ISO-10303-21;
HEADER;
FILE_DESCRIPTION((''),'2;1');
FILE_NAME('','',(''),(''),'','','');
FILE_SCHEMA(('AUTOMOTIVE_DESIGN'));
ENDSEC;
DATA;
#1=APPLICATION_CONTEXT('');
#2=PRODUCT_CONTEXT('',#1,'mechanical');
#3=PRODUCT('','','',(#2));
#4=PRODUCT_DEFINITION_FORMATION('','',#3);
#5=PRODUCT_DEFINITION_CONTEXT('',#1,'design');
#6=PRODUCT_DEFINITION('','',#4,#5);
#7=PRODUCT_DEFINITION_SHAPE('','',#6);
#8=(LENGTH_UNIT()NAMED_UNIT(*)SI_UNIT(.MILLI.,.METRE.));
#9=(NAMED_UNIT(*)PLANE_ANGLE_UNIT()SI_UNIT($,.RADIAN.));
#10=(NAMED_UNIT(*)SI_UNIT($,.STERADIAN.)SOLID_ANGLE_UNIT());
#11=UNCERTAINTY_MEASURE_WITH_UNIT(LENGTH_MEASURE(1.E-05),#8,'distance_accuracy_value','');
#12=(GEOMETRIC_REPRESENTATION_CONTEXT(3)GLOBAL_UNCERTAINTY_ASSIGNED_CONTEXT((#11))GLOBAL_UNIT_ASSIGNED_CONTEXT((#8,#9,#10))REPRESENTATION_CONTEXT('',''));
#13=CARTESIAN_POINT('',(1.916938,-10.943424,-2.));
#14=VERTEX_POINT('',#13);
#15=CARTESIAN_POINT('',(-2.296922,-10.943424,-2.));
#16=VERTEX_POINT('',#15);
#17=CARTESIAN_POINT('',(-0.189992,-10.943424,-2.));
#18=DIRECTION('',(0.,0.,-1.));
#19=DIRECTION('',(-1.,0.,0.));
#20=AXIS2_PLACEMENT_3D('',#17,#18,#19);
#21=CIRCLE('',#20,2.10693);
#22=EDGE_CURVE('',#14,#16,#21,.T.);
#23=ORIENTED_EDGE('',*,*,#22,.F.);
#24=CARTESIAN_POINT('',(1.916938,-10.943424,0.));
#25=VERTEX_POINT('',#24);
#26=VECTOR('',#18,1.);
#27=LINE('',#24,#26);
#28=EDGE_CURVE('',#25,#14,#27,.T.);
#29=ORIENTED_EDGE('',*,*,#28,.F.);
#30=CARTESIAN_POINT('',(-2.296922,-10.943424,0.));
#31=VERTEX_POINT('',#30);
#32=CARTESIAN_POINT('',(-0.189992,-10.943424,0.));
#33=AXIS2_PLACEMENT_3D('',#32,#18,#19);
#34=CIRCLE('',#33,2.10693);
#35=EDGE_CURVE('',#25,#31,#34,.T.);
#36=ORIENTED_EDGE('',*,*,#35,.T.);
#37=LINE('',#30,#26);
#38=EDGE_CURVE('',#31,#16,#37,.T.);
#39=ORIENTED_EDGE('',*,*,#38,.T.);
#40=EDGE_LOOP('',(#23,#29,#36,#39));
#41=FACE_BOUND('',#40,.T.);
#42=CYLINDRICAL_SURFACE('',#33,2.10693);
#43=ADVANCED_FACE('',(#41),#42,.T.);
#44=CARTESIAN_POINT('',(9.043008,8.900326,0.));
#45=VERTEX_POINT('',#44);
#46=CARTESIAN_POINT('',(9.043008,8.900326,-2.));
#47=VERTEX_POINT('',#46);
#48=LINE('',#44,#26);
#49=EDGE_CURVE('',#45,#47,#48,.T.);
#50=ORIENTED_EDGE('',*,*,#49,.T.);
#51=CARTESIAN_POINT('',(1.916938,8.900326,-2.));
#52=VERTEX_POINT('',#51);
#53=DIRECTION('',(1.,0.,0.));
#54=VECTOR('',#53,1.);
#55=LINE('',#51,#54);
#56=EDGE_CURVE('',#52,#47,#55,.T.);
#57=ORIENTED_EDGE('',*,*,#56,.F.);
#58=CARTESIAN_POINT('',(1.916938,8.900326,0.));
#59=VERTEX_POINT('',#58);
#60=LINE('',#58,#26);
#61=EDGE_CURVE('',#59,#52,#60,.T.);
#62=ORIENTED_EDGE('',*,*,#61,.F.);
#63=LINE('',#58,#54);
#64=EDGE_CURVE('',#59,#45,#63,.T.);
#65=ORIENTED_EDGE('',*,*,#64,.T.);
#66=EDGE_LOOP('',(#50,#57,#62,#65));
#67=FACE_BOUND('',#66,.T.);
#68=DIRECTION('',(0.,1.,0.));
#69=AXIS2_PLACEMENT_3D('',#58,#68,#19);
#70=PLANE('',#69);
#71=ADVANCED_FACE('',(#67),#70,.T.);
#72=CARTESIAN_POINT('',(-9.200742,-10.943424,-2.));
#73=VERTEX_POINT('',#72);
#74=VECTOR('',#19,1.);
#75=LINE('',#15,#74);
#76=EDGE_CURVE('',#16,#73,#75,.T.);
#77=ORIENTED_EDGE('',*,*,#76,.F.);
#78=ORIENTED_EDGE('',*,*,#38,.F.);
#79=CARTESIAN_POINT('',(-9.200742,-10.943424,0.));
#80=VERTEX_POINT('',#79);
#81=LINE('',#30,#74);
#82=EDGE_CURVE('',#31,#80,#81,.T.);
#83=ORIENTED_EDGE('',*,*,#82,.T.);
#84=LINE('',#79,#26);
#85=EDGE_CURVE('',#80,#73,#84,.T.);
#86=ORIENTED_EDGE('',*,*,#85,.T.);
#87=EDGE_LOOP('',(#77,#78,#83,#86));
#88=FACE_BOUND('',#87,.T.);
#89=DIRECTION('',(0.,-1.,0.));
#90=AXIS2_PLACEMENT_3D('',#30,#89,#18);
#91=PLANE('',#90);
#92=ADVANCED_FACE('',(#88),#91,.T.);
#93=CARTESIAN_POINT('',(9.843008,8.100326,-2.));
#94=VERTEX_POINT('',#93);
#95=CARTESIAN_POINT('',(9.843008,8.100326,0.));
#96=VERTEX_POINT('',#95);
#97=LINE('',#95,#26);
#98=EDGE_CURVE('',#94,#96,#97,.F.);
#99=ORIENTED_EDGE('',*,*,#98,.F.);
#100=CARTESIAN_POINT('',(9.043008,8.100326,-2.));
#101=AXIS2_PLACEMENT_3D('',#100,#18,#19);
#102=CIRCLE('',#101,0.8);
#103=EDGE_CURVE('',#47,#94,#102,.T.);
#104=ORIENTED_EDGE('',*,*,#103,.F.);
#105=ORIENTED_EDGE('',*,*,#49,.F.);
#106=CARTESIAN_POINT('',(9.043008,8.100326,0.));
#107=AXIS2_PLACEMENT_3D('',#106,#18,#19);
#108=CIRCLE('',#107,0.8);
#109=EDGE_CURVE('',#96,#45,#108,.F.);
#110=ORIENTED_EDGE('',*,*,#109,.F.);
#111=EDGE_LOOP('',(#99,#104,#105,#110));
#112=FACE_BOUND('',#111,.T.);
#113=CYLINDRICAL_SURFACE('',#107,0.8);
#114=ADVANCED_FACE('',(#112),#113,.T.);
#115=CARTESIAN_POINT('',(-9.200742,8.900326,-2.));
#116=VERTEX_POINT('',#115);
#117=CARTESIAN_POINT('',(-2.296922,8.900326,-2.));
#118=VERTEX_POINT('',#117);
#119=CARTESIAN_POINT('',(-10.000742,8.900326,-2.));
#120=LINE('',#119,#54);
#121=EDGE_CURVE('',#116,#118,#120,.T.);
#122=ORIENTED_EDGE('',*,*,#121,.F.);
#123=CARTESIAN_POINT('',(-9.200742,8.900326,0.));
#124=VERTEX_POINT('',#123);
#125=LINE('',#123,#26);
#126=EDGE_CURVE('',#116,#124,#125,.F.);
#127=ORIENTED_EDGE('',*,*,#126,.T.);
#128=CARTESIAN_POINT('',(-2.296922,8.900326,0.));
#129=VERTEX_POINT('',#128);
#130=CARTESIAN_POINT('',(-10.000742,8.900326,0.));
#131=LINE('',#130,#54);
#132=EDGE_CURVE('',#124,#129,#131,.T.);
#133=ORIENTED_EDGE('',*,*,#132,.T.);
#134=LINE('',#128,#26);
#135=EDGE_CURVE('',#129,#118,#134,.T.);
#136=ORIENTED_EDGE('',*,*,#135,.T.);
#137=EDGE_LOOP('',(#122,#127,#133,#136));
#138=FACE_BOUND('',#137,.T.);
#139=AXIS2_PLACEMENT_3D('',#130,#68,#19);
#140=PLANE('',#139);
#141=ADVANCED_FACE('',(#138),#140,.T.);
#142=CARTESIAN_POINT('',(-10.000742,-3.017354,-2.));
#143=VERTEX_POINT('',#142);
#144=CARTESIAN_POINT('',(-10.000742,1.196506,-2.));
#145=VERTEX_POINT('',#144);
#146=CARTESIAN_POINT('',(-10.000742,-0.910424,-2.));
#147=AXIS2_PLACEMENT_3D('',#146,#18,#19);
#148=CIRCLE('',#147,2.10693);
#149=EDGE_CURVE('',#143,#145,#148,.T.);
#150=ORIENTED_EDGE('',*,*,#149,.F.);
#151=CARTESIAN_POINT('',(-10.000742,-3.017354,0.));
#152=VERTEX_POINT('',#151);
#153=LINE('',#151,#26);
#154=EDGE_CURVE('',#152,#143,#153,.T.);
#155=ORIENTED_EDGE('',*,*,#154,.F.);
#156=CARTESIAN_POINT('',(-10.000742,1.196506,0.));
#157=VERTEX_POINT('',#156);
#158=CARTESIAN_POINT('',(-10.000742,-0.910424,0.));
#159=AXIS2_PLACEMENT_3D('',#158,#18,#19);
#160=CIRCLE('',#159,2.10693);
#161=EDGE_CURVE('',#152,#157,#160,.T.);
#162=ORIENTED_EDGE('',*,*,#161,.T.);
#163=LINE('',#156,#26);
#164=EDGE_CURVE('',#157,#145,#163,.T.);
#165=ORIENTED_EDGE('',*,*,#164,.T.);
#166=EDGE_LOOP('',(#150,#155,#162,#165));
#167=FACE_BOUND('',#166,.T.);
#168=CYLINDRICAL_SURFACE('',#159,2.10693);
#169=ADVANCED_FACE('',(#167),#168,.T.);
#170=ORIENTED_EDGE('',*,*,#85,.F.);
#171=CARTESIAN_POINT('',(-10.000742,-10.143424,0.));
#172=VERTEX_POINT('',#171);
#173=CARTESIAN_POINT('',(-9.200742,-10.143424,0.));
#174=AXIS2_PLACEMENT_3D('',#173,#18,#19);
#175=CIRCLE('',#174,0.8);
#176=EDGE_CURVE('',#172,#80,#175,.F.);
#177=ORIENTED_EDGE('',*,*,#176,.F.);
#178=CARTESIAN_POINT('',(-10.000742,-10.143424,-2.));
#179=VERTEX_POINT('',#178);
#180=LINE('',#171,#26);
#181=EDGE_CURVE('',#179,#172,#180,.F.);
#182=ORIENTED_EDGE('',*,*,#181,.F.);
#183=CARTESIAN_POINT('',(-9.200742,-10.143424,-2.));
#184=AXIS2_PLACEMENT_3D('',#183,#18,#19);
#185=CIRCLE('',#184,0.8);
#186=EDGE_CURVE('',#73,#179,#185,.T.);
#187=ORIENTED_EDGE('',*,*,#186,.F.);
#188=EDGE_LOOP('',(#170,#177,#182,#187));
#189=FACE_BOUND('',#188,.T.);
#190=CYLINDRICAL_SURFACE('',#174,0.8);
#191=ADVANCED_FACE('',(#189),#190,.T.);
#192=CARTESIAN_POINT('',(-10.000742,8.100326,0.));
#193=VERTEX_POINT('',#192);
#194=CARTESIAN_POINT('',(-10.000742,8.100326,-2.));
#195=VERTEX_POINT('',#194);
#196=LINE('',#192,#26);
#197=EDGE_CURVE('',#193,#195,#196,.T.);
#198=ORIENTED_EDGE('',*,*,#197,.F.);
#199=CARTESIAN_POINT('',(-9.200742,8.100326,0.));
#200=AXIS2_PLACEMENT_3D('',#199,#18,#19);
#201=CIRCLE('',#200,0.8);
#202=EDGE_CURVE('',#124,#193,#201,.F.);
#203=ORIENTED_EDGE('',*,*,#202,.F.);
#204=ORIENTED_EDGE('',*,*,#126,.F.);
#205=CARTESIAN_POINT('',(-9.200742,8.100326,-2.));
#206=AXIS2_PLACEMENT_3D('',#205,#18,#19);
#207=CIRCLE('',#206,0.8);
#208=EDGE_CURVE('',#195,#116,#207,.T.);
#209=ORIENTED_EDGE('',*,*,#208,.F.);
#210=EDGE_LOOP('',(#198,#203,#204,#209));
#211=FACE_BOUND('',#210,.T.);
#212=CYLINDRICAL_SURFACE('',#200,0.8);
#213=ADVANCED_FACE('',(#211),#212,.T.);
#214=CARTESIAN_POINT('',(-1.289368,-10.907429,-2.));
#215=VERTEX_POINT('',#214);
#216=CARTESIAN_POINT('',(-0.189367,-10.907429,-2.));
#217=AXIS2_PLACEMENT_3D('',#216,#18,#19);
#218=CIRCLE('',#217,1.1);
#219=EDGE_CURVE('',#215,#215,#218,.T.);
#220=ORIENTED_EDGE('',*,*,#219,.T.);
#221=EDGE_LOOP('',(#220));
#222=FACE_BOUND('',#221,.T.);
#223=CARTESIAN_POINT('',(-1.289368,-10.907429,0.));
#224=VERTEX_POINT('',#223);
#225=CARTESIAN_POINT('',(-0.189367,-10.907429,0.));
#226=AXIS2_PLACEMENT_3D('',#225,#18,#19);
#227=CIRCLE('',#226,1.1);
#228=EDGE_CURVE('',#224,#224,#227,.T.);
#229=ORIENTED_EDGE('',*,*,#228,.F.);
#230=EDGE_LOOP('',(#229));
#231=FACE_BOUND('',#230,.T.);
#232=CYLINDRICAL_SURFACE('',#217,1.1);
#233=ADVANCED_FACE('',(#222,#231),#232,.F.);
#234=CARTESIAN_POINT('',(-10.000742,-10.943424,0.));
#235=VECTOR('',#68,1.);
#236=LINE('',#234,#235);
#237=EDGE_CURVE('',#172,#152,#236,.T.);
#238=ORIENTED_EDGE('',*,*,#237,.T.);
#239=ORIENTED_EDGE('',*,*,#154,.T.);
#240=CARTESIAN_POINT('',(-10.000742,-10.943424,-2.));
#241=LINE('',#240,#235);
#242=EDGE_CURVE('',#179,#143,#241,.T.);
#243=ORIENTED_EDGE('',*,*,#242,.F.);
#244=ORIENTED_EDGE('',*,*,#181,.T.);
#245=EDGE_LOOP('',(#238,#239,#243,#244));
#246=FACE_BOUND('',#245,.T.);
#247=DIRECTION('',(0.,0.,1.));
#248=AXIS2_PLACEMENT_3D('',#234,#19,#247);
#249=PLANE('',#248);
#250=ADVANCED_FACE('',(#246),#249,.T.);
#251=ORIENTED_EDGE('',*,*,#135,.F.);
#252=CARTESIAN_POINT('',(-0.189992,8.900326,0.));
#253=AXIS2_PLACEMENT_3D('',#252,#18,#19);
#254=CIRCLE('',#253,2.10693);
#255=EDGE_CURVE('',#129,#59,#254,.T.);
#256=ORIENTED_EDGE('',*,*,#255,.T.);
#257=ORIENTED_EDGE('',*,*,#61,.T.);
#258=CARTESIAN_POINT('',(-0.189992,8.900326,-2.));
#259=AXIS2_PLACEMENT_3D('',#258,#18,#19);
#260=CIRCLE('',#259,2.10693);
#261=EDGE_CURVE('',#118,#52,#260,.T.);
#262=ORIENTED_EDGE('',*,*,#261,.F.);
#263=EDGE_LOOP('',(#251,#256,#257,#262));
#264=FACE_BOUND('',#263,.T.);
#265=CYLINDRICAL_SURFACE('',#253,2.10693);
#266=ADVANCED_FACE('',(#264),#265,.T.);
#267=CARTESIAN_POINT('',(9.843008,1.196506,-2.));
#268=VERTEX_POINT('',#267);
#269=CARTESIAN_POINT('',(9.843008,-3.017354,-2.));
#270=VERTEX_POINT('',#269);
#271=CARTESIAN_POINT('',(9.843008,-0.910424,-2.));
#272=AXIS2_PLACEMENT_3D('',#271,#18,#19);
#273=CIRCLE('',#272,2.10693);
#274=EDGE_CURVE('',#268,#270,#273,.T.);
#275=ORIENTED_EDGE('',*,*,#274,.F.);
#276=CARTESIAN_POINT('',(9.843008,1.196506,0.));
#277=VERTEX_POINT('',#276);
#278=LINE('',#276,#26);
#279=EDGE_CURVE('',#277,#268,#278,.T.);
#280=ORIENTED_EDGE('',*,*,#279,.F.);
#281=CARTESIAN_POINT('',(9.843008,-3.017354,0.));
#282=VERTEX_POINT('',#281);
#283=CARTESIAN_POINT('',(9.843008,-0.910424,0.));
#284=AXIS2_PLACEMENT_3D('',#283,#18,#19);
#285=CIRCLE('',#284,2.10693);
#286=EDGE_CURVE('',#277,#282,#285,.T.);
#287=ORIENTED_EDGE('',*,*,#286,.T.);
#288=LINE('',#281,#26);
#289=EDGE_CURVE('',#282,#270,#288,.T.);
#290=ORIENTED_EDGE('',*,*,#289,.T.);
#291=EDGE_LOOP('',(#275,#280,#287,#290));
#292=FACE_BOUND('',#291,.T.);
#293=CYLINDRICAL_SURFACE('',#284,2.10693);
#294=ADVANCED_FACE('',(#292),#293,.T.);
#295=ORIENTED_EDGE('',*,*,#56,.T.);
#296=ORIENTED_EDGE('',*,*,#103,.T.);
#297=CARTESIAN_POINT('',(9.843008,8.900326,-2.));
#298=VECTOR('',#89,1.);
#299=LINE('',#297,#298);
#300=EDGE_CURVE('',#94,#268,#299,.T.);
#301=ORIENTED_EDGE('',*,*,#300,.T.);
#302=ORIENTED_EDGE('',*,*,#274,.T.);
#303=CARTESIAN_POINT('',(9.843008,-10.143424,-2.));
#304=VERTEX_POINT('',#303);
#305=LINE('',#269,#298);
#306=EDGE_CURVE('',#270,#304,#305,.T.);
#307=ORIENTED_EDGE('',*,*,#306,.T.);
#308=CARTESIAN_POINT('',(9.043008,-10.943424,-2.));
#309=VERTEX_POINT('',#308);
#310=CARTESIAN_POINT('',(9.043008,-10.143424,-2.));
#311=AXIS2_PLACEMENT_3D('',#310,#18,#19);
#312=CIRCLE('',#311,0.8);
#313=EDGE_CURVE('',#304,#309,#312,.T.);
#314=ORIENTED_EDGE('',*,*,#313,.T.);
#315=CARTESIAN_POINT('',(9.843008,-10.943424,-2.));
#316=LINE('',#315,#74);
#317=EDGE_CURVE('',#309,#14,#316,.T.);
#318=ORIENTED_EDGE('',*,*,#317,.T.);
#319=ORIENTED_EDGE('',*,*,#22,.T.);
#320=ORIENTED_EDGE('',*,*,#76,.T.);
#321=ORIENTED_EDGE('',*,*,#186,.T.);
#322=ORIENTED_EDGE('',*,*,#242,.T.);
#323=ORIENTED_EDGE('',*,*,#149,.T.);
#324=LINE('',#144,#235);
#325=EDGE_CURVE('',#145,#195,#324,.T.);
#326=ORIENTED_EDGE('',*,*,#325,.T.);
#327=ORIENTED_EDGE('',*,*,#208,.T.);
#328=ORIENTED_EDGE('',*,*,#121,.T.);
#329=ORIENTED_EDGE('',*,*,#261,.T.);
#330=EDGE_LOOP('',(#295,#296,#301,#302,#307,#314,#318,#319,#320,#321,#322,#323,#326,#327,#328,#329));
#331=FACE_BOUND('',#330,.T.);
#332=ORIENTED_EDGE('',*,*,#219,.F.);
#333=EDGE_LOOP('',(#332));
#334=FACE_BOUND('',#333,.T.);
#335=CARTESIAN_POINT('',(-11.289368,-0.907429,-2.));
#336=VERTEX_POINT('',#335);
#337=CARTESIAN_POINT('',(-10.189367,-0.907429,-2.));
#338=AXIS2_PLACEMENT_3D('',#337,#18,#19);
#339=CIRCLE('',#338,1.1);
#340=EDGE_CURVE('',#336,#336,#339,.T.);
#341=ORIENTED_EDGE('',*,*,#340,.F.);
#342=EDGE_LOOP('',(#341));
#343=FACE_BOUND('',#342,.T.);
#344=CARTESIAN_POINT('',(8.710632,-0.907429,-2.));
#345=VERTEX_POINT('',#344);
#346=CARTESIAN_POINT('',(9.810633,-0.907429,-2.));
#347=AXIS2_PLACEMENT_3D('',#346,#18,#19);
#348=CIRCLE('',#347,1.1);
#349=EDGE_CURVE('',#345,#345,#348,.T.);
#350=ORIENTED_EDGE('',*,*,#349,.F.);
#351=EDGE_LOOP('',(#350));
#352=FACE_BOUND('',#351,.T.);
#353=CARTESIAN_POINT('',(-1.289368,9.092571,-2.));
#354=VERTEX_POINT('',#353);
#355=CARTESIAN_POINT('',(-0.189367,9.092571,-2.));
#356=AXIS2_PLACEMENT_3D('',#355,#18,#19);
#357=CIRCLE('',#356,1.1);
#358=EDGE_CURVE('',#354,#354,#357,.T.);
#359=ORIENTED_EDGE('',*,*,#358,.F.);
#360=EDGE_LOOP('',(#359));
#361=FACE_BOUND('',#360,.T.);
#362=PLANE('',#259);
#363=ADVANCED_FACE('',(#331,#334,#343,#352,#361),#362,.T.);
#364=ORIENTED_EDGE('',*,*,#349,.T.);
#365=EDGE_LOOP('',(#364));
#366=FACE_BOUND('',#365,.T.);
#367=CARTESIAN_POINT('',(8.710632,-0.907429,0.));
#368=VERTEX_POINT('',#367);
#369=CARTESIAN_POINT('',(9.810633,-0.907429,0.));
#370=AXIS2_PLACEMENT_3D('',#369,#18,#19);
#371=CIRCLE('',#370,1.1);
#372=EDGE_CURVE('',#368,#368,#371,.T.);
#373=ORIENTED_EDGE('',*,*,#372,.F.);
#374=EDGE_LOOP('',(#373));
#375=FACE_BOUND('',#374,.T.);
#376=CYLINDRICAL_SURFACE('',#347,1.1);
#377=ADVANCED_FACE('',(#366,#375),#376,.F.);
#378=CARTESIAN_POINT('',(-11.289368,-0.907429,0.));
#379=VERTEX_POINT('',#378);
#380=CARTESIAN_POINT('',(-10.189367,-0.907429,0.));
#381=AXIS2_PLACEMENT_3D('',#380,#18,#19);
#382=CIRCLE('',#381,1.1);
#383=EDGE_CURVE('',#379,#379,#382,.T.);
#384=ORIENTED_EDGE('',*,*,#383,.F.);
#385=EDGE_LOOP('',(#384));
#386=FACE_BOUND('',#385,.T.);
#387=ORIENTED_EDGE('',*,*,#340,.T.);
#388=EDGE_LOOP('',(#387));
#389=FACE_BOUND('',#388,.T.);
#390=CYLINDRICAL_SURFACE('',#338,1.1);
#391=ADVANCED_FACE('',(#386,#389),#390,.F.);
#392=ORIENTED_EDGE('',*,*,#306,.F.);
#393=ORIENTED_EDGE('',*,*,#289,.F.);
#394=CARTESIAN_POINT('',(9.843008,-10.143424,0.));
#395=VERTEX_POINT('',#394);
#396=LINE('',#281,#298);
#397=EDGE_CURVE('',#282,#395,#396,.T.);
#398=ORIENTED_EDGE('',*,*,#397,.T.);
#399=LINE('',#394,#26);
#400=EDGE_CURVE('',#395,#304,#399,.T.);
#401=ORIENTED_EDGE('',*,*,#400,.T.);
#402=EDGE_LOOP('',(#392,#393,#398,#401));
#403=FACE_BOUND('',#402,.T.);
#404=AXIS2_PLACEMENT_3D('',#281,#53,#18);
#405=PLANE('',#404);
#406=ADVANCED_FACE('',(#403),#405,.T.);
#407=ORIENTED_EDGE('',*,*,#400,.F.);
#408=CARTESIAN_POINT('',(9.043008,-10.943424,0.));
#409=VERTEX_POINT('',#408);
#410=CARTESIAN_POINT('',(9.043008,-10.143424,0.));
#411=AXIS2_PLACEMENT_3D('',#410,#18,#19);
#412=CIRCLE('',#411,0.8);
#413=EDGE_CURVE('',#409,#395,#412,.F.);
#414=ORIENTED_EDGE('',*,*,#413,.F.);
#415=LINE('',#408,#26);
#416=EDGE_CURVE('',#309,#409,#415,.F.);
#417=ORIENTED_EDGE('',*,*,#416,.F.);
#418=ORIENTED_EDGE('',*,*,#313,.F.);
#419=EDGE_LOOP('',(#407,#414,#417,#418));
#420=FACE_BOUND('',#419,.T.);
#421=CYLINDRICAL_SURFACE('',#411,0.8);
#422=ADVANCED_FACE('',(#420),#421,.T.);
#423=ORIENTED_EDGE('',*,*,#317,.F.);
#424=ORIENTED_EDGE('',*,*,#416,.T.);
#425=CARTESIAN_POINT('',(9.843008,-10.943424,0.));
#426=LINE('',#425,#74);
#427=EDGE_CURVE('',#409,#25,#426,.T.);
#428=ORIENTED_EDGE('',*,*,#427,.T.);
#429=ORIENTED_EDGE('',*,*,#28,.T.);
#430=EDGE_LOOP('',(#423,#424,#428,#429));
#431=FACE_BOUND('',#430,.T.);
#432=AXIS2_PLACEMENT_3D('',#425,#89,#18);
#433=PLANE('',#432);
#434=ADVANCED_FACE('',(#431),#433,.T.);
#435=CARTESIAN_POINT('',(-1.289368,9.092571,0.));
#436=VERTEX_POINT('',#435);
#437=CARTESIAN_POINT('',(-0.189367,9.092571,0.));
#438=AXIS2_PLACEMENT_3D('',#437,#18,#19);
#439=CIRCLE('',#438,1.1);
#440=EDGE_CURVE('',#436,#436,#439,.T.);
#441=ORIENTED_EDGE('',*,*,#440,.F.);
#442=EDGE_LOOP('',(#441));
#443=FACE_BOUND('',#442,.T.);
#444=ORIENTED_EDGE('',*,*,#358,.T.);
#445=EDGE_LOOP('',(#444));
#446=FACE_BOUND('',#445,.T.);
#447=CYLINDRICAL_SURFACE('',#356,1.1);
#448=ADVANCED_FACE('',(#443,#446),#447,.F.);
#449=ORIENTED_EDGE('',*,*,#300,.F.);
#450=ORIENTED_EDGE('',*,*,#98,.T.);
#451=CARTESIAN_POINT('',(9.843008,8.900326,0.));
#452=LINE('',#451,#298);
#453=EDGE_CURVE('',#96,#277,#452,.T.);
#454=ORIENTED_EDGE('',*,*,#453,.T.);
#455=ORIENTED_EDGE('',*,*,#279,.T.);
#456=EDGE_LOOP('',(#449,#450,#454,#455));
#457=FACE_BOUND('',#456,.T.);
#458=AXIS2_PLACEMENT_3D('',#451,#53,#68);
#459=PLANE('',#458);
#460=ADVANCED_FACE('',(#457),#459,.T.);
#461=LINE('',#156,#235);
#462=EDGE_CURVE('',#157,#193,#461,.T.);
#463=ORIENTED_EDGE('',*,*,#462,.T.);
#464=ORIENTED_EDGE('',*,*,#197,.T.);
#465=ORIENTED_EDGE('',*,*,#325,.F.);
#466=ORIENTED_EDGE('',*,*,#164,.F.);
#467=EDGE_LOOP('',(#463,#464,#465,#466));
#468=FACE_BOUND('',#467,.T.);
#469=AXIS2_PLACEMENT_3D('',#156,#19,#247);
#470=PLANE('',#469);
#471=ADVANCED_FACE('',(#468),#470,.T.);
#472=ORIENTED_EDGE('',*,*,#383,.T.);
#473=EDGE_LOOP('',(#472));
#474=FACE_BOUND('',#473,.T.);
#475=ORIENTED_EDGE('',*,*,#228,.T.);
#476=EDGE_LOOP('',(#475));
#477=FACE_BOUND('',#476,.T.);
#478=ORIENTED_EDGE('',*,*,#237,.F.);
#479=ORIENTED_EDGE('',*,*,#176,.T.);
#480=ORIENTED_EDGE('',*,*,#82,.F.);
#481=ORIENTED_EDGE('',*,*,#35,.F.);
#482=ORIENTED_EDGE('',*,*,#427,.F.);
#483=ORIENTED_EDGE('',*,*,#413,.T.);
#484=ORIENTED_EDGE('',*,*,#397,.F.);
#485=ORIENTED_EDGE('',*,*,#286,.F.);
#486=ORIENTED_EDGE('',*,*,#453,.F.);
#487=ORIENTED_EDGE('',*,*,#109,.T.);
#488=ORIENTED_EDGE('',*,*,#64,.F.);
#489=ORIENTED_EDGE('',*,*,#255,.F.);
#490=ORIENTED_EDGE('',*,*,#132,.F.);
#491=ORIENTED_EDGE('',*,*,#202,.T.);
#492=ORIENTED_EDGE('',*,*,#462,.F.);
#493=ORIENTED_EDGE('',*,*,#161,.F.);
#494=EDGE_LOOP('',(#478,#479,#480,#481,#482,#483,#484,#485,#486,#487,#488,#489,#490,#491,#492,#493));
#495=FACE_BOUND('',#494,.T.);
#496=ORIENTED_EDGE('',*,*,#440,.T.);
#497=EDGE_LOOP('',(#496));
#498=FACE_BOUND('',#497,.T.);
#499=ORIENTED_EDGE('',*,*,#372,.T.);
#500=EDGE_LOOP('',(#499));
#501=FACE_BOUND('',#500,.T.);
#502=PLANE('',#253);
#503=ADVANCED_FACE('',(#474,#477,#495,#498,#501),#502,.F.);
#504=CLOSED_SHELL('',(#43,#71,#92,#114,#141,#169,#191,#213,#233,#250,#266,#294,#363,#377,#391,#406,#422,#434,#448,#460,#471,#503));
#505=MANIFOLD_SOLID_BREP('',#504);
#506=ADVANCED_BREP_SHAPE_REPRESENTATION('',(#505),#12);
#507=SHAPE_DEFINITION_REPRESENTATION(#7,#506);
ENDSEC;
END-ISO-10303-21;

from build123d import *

# Parameters (mm, degrees)
BOSS_EXTRUDE1_DEPTH   = 2
F_1_CLEARANCE_HOLE1_D = 2.20000068
FILLET1_R             = 0.8


with BuildPart() as part:
    # Sketch1 → Boss-Extrude1 (new body)
    with BuildSketch(Plane(origin=(0, 0, -2), x_dir=(-1, 0, 0), z_dir=(0, 0, -1))):
        with BuildLine():
            Line((-1.91693771, 8.900326187), (-9.84300771, 8.900326187))
            Line((-9.84300771, 8.900326187), (-9.84300771, 1.196506187))
            ThreePointArc((-9.84300771, 1.196506187), (-11.94993771, -0.910423813), (-9.84300771, -3.017353813))
            Line((-9.84300771, -3.017353813), (-9.84300771, -10.943423813))
            Line((-9.84300771, -10.943423813), (-1.91693771, -10.943423813))
            ThreePointArc((-1.91693771, -10.943423813), (0.18999229, -13.050353813), (2.29692229, -10.943423813))
            Line((2.29692229, -10.943423813), (10.00074229, -10.943423813))
            Line((10.00074229, -10.943423813), (10.00074229, -3.017353813))
            ThreePointArc((10.00074229, -3.017353813), (12.10767229, -0.910423813), (10.00074229, 1.196506187))
            Line((10.00074229, 1.196506187), (10.00074229, 8.900326187))
            Line((10.00074229, 8.900326187), (2.29692229, 8.900326187))
            ThreePointArc((2.29692229, 8.900326187), (0.18999229, 11.007256187), (-1.91693771, 8.900326187))
        make_face()
    extrude(amount=-BOSS_EXTRUDE1_DEPTH)

    # #1 Clearance Hole1 (through all)
    with Locations(Plane(origin=(0, 0, -2), x_dir=(-1, 0, 0), z_dir=(0, 0, -1))):
        with Locations((0.189367378, -10.907429297), (0.189367378, 9.092570703), (10.189367378, -0.907429297), (-9.810632622, -0.907429297)):
            Hole(F_1_CLEARANCE_HOLE1_D / 2)

    # Fillet1
    fillet1_edges = [part.edges().sort_by_distance(p)[0] for p in [
        (-10.00074229, 8.900326187, -1),
        (-10.00074229, -10.943423813, -1),
        (9.84300771, -10.943423813, -1),
        (9.84300771, 8.900326187, -1),
    ]]
    fillet(fillet1_edges, radius=FILLET1_R)


solid = part.part
